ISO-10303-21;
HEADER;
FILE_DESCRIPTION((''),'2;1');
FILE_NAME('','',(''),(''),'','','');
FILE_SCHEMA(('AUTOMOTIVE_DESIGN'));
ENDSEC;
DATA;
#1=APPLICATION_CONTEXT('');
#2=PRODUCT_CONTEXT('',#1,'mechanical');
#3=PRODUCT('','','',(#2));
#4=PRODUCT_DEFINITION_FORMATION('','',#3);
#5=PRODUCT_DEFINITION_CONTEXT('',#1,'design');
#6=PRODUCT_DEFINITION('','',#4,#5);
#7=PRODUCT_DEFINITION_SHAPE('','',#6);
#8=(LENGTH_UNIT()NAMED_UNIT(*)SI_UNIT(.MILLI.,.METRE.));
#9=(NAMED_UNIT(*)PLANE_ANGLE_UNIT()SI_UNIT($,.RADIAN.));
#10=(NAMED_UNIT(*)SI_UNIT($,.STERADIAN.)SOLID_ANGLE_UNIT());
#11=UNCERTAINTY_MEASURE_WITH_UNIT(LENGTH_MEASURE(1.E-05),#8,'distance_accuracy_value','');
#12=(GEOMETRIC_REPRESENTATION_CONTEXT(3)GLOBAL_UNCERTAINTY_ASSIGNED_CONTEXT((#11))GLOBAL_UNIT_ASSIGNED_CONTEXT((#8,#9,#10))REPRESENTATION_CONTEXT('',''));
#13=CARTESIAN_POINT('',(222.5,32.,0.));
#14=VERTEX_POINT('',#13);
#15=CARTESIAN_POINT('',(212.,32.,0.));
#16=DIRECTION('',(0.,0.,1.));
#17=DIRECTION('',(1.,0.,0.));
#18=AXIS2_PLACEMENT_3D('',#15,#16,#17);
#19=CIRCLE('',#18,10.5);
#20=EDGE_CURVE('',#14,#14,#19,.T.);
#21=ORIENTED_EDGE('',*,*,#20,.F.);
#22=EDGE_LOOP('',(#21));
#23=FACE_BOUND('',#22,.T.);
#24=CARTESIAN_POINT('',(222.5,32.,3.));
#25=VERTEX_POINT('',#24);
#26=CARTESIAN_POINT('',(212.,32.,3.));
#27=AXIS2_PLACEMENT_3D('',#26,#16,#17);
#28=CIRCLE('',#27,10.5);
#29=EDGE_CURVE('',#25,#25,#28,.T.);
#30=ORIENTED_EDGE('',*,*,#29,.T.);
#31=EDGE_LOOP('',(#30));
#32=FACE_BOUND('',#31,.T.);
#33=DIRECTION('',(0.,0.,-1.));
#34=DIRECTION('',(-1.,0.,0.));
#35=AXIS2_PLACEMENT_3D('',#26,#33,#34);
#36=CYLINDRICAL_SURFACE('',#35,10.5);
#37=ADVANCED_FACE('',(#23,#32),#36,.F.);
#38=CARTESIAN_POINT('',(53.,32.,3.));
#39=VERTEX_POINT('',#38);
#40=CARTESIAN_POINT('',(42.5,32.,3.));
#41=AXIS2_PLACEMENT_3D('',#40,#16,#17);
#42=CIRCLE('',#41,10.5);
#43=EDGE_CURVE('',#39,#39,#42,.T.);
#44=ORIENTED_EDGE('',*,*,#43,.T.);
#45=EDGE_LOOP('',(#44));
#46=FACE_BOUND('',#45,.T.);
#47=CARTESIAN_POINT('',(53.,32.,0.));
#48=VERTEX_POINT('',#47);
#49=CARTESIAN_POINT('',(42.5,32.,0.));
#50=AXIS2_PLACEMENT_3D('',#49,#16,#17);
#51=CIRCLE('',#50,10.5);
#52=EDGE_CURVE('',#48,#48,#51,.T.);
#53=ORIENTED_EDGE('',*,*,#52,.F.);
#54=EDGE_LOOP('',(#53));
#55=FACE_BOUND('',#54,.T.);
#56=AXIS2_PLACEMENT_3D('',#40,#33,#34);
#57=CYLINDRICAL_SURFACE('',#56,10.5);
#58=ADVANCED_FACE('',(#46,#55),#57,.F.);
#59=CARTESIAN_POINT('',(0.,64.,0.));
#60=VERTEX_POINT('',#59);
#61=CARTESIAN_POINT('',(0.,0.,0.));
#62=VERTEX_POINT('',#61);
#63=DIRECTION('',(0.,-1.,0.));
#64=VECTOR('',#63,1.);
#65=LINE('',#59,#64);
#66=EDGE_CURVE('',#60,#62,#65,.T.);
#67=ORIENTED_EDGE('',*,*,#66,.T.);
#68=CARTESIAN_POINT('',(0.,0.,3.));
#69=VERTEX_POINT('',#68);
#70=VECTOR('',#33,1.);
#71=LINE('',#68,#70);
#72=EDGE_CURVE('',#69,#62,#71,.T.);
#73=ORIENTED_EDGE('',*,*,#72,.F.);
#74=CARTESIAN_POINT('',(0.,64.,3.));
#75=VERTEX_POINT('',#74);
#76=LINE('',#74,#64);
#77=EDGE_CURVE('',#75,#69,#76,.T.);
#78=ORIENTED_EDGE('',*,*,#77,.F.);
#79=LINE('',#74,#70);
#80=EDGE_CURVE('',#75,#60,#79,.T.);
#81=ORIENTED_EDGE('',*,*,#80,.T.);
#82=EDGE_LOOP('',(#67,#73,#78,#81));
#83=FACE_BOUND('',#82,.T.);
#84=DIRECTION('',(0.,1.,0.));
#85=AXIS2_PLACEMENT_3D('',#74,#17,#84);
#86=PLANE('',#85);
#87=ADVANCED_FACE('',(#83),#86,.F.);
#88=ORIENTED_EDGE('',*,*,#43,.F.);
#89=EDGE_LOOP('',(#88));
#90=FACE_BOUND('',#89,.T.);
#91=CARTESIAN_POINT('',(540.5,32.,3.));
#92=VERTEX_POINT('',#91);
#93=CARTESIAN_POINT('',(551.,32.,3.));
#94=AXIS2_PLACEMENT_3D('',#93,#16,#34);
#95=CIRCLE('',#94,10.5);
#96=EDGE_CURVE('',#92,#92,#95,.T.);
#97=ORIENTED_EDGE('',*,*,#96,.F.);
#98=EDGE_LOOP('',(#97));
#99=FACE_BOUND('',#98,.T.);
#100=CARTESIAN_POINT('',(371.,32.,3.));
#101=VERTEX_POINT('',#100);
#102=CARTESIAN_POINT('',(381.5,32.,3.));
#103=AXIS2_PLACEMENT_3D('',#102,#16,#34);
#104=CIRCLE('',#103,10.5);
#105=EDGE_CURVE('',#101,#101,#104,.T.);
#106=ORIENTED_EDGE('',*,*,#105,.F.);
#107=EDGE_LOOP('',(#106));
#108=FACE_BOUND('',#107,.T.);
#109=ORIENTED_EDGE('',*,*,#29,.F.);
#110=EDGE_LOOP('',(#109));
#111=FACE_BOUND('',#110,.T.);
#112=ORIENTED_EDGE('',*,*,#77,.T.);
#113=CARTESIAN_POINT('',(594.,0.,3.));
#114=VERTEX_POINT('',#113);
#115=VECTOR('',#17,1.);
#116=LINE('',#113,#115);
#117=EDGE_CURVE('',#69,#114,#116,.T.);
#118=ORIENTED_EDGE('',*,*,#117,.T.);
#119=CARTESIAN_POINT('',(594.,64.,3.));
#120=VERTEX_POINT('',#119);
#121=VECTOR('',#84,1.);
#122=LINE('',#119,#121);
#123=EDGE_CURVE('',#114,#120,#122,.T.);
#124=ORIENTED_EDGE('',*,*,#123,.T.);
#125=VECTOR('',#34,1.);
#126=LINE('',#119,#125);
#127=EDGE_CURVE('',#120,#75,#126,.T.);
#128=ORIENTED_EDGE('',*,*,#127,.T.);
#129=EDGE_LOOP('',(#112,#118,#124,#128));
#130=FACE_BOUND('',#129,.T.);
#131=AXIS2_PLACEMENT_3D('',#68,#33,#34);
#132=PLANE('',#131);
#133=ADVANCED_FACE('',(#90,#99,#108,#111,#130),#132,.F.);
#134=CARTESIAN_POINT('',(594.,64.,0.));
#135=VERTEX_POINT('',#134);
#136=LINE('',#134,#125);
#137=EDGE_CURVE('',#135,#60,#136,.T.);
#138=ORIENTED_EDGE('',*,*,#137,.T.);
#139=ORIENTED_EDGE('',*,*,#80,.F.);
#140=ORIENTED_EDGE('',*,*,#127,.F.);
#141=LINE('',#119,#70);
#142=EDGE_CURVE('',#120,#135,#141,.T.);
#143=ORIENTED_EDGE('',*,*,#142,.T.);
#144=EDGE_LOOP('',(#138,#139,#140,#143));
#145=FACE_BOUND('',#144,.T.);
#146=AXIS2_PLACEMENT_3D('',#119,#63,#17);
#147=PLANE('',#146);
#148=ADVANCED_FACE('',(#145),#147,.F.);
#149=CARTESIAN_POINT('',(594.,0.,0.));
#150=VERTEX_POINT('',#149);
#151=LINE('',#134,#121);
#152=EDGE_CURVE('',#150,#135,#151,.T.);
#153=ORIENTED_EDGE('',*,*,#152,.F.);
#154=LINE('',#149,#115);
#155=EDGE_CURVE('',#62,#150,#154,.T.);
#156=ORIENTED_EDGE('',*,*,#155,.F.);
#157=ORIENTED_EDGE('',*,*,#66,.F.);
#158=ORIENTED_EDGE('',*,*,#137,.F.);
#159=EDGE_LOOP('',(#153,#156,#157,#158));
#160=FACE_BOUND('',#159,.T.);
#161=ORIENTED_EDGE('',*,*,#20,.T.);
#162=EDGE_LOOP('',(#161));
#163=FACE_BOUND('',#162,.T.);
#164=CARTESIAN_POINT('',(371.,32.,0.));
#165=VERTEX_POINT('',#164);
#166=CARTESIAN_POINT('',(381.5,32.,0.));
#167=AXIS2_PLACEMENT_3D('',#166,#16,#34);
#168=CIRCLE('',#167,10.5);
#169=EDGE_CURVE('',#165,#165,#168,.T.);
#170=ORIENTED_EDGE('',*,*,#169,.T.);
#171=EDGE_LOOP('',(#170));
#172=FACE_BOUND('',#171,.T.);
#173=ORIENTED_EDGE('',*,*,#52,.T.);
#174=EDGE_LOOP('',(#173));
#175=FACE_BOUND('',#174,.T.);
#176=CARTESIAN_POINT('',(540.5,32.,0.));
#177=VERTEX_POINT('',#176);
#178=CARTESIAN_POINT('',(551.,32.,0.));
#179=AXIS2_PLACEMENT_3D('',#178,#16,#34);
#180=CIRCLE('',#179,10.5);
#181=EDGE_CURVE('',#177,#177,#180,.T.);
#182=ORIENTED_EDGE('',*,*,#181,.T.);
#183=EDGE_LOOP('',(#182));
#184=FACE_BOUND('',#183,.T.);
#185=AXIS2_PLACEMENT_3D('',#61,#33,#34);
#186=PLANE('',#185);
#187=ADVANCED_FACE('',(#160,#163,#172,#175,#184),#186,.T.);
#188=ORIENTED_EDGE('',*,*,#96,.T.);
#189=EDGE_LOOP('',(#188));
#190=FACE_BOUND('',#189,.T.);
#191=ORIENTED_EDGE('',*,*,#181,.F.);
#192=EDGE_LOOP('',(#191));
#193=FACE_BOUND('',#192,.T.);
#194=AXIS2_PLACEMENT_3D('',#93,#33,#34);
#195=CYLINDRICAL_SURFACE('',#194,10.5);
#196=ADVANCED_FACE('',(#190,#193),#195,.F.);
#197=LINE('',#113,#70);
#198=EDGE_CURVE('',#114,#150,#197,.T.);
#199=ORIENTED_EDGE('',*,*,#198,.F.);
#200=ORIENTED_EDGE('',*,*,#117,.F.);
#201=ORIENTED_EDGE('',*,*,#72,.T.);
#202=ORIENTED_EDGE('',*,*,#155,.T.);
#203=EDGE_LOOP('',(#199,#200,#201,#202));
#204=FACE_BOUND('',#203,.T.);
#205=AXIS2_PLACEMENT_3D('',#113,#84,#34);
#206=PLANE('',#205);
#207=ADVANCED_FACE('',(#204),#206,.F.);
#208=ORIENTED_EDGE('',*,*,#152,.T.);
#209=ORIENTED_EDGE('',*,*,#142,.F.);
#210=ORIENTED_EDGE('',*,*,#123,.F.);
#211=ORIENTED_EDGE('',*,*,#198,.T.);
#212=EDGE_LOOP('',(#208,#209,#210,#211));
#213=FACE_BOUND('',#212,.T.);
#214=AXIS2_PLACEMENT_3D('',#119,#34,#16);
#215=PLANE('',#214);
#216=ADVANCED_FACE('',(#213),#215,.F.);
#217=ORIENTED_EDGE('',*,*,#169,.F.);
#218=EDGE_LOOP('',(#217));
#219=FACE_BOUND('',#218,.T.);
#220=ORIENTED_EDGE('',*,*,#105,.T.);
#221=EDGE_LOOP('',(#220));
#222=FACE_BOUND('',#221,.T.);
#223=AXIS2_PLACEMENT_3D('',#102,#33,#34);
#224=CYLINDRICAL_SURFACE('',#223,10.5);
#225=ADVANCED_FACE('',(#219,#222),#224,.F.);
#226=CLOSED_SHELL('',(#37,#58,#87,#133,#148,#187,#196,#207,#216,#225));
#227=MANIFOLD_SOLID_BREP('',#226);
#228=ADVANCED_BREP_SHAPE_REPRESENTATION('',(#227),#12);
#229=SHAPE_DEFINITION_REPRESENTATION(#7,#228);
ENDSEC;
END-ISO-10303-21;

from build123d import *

# Parameters (mm, degrees)
ESQUISSE1_W        = 594
ESQUISSE1_H        = 64
ESQUISSE1_R        = 10.5
BOSS_EXTRU_1_DEPTH = 3


with BuildPart() as part:
    # Esquisse1 → Boss.-Extru.1 (new body)
    with BuildSketch(Plane.XY):
        with Locations((297, 32)):
            Rectangle(ESQUISSE1_W, ESQUISSE1_H)
        with Locations((42.5, 32)):
            Circle(ESQUISSE1_R, mode=Mode.SUBTRACT)
        with Locations(Location((381.5, 32, 0), (0, 0, 180))):
            Circle(ESQUISSE1_R, mode=Mode.SUBTRACT)
        with Locations(Location((551, 32, 0), (0, 0, 180))):
            Circle(ESQUISSE1_R, mode=Mode.SUBTRACT)
        with Locations((212, 32)):
            Circle(ESQUISSE1_R, mode=Mode.SUBTRACT)
    extrude(amount=BOSS_EXTRU_1_DEPTH)


solid = part.part
